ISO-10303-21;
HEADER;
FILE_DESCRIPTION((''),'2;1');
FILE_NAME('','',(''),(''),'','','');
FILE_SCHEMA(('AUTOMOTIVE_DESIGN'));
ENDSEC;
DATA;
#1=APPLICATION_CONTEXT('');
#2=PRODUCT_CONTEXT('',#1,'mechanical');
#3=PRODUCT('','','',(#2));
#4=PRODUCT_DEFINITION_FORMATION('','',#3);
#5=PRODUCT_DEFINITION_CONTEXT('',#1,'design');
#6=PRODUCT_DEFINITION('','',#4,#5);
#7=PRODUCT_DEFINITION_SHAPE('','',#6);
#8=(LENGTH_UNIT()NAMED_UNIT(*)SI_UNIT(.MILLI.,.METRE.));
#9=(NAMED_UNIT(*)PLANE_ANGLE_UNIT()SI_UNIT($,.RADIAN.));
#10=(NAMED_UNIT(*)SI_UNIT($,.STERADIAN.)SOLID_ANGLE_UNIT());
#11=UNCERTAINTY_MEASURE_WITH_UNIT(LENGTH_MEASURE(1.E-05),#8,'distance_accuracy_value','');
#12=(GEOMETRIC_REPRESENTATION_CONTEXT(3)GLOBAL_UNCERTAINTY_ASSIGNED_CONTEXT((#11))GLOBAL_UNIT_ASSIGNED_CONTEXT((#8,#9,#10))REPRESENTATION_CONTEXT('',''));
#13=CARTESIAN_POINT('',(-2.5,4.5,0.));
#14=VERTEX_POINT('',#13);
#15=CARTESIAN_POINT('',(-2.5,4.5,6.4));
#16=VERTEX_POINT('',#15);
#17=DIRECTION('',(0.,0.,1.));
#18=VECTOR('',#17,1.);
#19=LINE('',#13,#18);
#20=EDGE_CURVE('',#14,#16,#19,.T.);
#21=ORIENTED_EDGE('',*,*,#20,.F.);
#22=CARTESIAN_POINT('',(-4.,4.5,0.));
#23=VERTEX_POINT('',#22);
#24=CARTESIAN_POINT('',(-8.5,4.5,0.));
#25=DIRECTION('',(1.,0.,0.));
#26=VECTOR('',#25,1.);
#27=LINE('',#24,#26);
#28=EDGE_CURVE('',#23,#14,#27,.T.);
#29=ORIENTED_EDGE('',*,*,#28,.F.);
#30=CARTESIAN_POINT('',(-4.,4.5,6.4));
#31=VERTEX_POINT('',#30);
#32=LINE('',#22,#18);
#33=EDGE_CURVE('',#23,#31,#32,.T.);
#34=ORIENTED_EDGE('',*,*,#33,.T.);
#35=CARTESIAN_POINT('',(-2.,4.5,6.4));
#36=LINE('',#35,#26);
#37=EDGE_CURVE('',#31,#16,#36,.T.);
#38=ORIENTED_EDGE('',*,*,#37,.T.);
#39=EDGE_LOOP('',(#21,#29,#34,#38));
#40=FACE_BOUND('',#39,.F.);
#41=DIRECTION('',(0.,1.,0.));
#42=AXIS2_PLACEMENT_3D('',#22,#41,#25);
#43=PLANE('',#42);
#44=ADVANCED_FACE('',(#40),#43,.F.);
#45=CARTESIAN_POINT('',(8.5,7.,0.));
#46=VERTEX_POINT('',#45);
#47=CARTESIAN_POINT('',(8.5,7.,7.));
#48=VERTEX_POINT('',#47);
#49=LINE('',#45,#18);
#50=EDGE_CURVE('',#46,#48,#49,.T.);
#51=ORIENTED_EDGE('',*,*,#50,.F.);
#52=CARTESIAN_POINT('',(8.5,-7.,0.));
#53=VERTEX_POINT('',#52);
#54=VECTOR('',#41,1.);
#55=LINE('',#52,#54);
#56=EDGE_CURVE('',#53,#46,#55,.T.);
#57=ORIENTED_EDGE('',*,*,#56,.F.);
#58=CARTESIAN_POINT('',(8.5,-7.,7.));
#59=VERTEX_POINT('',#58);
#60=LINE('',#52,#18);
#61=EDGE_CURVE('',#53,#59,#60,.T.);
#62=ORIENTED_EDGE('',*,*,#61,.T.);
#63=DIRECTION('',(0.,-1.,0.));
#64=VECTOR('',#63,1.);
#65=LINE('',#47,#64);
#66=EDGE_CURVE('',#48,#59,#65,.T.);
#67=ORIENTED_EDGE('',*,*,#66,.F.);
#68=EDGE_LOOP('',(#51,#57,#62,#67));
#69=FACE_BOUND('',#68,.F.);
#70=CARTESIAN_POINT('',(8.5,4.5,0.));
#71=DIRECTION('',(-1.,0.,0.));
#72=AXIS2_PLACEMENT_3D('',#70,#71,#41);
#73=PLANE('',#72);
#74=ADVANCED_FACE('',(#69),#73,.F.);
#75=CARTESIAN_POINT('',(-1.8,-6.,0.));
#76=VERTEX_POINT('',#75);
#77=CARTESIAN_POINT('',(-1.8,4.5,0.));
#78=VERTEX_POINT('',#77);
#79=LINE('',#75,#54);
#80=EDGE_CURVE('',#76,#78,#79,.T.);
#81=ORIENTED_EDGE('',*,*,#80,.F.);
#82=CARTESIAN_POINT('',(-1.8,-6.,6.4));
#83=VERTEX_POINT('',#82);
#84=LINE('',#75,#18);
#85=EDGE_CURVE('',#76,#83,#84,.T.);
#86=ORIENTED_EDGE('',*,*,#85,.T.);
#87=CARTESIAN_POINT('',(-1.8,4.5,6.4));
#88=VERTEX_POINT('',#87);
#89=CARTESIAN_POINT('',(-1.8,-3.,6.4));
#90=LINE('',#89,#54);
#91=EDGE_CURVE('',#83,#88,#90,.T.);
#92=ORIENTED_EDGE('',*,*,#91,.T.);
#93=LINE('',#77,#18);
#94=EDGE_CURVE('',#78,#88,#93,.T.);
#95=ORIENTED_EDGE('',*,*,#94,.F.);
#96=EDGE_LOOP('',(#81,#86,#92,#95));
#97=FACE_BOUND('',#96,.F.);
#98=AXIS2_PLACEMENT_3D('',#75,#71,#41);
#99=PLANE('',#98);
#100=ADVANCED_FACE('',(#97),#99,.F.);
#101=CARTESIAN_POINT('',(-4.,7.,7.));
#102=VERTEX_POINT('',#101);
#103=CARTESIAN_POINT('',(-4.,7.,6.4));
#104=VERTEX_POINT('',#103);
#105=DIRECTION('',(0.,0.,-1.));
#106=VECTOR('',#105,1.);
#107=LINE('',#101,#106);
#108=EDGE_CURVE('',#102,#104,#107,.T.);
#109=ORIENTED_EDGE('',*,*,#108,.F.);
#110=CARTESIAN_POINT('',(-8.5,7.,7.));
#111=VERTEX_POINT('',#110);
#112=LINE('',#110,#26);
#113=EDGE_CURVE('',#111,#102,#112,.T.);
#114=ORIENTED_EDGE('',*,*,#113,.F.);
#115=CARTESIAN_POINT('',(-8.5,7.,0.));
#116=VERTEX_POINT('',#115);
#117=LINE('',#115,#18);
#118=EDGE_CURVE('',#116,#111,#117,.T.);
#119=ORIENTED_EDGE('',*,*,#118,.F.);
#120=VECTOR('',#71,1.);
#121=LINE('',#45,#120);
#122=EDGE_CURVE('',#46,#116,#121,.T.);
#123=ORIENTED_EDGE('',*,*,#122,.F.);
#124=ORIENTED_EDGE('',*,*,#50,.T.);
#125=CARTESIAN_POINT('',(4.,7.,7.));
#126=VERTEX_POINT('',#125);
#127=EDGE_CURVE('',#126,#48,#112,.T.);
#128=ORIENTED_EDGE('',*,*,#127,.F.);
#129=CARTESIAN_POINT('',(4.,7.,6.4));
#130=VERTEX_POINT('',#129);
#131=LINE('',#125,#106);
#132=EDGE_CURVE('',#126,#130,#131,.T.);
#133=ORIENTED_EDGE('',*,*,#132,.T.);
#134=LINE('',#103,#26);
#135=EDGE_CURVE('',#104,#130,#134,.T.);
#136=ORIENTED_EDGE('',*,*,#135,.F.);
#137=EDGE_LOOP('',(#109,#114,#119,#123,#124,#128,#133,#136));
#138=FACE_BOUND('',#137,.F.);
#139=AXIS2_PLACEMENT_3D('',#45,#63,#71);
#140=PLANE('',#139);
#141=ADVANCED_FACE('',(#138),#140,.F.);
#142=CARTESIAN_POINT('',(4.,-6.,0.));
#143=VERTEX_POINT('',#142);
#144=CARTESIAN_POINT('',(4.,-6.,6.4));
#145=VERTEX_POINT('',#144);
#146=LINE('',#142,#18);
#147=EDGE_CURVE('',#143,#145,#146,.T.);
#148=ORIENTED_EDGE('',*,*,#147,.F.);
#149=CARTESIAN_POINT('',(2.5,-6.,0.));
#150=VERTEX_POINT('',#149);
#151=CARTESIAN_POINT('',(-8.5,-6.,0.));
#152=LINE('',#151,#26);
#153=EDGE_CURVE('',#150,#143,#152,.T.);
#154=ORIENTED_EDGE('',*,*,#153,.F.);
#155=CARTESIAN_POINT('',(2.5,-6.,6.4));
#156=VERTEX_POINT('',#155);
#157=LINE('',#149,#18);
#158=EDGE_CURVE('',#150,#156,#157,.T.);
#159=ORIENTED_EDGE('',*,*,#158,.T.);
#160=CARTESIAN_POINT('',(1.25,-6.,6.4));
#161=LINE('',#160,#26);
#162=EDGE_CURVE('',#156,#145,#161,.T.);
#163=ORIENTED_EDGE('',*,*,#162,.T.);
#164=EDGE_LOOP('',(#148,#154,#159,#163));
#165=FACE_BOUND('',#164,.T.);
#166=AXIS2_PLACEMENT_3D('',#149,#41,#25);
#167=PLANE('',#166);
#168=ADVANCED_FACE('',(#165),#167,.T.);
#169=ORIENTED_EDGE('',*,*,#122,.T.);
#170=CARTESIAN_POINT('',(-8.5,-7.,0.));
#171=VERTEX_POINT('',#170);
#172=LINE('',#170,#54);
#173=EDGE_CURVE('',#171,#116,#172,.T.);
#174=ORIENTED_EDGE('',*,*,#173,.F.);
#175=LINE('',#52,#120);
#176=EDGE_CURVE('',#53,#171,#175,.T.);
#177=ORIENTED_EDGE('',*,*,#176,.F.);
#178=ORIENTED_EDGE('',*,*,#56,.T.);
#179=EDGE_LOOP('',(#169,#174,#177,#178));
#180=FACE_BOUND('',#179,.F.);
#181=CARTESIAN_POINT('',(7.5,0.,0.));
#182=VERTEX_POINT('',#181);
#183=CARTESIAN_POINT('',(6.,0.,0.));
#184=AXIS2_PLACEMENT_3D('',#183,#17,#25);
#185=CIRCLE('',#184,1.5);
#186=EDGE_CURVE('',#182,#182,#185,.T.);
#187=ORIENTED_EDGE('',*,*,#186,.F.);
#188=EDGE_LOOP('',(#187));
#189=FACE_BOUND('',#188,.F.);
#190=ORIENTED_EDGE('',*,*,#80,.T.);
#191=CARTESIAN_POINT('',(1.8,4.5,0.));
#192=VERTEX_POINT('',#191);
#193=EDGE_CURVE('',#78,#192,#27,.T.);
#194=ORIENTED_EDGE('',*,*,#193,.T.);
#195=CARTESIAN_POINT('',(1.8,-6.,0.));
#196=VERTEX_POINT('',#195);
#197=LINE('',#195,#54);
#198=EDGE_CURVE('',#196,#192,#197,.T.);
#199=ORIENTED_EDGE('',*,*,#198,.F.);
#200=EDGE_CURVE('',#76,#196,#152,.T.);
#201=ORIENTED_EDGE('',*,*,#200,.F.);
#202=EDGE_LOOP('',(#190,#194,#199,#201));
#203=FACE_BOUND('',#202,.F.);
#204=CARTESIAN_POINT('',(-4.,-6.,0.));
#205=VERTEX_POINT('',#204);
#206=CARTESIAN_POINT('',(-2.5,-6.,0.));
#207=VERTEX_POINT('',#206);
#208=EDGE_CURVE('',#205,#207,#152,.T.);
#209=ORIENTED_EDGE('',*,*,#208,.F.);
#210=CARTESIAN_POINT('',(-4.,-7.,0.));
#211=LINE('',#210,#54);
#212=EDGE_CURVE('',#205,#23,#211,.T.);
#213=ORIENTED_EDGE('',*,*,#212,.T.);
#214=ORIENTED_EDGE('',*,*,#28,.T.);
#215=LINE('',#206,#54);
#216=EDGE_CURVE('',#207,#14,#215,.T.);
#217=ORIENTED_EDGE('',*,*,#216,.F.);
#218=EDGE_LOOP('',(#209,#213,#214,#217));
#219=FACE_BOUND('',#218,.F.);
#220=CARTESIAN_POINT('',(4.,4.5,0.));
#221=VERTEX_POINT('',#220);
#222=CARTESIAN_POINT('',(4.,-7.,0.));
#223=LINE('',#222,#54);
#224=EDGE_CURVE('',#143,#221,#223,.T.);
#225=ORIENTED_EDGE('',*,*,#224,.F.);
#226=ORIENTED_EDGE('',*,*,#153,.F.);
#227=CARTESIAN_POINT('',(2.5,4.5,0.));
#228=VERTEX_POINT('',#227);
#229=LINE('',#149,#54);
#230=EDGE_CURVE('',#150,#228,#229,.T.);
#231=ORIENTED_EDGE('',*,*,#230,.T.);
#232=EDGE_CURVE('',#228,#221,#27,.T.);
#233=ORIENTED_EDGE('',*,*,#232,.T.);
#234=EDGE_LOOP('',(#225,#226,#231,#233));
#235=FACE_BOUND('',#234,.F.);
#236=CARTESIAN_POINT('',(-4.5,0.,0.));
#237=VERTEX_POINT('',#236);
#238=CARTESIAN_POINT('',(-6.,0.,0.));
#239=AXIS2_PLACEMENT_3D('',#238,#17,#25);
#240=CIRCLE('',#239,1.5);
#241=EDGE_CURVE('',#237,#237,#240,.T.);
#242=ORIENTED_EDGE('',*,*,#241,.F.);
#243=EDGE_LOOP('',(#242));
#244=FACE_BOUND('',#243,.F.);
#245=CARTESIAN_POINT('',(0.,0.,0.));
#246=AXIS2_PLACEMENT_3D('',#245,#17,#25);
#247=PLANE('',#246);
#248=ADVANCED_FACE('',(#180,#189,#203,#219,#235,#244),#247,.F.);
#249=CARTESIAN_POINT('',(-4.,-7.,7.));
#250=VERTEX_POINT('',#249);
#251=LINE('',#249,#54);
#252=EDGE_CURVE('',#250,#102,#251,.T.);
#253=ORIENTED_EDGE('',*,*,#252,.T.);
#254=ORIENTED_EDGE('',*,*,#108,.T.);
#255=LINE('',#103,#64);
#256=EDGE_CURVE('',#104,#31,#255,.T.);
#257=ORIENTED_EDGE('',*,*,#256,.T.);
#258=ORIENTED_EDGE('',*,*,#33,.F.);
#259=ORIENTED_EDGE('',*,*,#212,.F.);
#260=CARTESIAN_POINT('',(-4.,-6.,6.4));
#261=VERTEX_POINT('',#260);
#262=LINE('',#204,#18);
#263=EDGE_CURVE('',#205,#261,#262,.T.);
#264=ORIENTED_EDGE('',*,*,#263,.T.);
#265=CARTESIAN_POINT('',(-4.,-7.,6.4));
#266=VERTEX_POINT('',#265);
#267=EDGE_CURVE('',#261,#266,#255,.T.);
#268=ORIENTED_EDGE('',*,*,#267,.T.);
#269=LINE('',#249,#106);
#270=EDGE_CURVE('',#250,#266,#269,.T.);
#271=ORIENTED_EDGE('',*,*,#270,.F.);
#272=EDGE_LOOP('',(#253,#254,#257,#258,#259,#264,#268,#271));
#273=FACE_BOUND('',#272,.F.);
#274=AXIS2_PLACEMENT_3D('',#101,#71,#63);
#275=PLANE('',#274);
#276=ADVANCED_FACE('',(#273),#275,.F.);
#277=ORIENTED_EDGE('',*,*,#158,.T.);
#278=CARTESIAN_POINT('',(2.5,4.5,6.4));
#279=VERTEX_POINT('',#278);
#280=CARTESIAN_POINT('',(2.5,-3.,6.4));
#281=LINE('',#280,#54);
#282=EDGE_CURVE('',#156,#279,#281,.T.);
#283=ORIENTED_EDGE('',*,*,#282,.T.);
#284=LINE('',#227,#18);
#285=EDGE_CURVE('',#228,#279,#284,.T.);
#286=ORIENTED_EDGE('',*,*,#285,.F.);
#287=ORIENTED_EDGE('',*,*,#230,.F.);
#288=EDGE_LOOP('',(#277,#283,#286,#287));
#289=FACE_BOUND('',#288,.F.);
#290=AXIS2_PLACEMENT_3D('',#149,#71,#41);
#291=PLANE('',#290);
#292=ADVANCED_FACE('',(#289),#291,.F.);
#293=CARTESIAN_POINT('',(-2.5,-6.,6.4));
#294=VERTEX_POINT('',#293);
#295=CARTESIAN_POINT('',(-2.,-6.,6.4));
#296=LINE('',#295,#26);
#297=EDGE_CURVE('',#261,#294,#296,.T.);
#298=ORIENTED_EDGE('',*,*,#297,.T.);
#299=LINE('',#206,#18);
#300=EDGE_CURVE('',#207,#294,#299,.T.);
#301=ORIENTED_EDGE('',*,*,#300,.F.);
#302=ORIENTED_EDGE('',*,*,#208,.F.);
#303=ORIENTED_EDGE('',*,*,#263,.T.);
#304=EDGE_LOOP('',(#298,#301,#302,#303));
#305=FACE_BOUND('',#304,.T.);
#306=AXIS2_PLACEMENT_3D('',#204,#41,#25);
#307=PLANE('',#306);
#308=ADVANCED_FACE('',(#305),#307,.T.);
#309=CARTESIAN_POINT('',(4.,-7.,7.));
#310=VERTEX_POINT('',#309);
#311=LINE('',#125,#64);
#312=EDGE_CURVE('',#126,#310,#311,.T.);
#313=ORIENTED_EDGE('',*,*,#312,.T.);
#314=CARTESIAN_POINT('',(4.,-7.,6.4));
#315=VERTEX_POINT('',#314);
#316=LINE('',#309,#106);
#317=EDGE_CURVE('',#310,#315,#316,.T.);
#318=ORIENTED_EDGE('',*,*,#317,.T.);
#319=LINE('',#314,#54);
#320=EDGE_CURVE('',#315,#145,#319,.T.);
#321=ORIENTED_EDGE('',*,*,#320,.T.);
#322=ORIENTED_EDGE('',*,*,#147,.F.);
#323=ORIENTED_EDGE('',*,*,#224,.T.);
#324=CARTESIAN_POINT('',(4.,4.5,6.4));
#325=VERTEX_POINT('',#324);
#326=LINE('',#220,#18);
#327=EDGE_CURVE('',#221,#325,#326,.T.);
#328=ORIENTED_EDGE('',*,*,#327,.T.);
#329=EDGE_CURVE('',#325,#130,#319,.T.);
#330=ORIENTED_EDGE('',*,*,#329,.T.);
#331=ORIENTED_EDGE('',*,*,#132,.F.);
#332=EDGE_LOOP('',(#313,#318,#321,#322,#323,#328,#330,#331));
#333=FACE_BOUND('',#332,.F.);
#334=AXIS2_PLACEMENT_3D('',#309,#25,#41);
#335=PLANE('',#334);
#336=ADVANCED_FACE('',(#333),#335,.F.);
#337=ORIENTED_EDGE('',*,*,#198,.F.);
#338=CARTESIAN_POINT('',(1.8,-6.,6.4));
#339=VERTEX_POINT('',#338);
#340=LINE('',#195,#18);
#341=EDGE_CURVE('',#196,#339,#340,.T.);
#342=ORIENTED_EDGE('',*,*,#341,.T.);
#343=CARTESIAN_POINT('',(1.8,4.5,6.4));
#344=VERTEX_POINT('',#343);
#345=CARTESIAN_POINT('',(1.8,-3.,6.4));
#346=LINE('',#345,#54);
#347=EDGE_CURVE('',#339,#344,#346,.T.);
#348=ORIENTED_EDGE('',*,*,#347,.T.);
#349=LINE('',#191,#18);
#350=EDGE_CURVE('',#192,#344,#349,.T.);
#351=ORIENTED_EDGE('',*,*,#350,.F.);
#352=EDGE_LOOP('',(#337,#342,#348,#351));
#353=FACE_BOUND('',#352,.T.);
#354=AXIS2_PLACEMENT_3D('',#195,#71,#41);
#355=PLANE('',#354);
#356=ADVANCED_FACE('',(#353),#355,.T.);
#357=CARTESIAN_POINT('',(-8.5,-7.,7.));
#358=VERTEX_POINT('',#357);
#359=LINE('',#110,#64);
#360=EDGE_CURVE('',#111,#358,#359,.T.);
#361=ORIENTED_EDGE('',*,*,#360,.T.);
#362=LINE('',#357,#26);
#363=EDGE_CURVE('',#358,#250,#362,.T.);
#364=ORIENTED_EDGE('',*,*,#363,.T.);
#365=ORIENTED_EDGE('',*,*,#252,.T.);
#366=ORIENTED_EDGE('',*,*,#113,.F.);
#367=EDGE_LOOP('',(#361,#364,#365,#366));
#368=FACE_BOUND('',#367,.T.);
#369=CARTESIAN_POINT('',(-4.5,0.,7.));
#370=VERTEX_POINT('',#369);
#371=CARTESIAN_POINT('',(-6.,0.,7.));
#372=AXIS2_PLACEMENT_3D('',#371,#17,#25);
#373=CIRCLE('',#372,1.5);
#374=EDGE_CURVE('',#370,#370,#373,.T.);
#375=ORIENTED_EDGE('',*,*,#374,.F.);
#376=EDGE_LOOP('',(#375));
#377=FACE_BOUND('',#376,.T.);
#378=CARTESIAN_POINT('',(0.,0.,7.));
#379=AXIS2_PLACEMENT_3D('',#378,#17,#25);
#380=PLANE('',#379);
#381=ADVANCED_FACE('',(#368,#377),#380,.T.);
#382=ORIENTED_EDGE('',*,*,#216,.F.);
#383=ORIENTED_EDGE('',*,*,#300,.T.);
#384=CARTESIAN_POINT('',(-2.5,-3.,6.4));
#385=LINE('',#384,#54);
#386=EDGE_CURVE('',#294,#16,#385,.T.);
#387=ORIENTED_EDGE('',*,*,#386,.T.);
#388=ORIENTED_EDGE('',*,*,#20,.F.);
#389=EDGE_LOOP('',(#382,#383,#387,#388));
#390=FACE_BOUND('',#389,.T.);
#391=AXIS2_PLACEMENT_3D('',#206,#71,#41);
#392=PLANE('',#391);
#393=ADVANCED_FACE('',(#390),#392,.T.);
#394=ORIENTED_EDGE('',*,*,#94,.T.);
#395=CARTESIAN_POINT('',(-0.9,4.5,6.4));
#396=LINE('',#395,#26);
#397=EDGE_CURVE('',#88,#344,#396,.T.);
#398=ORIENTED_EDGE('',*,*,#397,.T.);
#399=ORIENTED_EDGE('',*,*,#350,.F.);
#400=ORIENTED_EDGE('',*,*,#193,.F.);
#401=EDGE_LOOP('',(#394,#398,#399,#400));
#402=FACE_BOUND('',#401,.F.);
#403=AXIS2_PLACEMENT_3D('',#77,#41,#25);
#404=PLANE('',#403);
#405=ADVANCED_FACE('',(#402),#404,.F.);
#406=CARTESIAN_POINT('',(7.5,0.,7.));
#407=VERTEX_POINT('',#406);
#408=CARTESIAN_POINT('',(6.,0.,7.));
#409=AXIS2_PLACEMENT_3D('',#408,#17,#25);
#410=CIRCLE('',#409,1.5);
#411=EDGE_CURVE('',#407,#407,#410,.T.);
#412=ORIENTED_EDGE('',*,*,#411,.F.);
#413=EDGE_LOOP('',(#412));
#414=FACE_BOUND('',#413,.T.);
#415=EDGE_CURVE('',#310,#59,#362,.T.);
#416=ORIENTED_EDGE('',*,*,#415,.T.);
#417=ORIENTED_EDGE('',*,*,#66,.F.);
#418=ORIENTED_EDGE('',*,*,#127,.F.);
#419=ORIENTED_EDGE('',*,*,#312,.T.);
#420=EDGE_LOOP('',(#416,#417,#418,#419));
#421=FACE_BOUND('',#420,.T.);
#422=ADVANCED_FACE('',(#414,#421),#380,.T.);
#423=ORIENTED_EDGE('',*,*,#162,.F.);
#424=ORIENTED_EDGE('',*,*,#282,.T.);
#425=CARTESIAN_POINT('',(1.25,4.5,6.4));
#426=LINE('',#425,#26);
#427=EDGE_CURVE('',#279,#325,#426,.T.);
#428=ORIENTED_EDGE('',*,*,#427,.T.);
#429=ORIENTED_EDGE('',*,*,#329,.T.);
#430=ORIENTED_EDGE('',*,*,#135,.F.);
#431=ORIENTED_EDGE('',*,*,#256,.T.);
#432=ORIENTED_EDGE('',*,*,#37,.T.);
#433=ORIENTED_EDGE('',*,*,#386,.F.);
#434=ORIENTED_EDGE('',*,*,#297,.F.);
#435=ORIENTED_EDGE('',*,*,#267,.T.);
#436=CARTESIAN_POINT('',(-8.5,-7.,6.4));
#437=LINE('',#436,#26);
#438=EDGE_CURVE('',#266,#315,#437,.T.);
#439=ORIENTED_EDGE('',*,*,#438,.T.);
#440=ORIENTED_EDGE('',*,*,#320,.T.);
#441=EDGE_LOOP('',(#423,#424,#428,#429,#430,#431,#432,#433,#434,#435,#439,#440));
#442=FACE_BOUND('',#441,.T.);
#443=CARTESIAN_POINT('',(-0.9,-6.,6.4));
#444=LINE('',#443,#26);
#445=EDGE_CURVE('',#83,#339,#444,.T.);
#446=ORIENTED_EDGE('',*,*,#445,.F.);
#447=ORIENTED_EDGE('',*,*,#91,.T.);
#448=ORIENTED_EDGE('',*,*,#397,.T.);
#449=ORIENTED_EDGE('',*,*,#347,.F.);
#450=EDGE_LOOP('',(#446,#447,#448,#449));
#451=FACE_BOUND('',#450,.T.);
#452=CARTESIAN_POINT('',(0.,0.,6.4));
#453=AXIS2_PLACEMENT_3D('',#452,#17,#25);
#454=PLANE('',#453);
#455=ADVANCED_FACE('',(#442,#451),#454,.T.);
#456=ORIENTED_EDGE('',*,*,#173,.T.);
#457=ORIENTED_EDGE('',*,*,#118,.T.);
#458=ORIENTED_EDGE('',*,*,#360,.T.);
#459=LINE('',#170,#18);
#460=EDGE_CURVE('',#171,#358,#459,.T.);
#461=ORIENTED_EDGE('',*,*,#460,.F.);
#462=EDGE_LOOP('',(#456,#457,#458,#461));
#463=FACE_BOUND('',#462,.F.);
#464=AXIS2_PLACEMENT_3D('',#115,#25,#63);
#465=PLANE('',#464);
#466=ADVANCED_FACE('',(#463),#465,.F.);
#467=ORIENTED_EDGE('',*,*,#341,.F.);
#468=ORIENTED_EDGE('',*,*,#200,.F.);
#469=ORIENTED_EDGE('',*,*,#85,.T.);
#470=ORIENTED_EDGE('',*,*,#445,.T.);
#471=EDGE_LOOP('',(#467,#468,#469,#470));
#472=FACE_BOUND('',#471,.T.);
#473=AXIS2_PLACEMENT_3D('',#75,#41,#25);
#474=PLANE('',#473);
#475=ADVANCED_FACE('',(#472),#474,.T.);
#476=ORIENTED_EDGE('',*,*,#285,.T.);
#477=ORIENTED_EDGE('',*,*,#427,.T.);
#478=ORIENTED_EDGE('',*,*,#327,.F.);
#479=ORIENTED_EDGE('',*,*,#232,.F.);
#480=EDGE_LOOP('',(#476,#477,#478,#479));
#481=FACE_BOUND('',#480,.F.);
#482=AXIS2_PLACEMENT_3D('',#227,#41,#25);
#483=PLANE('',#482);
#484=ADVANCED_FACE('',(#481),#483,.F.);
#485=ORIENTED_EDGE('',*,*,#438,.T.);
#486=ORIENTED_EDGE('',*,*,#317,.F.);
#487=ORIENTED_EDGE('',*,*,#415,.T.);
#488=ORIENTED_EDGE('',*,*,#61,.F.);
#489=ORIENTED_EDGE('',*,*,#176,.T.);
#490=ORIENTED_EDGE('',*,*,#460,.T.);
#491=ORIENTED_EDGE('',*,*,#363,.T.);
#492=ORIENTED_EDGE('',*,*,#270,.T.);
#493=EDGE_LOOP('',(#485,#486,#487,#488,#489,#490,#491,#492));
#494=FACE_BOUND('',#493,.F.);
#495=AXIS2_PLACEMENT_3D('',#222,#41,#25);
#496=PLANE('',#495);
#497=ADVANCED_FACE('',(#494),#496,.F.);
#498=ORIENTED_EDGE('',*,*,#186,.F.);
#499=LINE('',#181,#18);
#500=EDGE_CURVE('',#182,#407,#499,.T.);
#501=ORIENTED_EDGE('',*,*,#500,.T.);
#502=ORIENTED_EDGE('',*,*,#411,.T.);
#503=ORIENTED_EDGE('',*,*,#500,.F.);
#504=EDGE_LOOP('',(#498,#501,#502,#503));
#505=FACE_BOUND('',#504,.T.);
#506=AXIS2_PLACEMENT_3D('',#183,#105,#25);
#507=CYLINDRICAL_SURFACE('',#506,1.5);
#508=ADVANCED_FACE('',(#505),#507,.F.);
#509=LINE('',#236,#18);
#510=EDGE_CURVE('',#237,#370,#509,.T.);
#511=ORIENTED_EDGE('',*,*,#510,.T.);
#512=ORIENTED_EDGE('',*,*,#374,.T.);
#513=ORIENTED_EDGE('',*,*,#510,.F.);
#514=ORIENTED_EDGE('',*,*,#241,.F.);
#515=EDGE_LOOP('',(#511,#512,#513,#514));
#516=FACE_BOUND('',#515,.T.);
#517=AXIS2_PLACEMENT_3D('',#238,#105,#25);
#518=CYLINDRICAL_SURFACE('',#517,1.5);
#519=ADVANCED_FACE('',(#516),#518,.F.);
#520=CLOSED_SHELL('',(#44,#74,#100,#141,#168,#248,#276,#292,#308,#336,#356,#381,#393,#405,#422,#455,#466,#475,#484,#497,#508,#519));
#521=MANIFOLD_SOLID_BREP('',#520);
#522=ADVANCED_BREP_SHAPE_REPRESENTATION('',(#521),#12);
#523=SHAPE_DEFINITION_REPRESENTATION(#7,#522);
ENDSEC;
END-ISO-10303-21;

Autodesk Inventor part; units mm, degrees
ref_plane "YZ Plane" through (0, 0, 0) normal (1, 0, 0) x (0, 1, 0)
ref_plane "XZ Plane" through (0, 0, 0) normal (0, 1, 0) x (-1, 0, 0)
ref_plane "XY Plane" through (0, 0, 0) normal (0, 0, 1) x (1, 0, 0)
sketch "スケッチ1" plane through (0, 0, 0) normal (0, 0, 1) x (1, 0, 0)
  line L0 (8.5, 7) -> (-8.5, 7)
  line L1 (-8.5, 7) -> (-8.5, -7)
  line L2 (-8.5, -7) -> (8.5, -7)
  line L3 (8.5, -7) -> (8.5, 7)
  line L4 (8.5, 7) -> (-8.5, -7) construction
  line L5 (-8.5, 7) -> (8.5, -7) construction
  circle A0 centre (-6, 0) radius 1.5
  circle A1 centre (6, 0) radius 1.5
  line L6 (-8.5, -6) -> (8.5, -6)
  line L7 (-8.5, 4.5) -> (8.5, 4.5)
  line L8 (-4, -7) -> (-4, 7)
  line L9 (4, -7) -> (4, 7)
  line L10 (2.5, -6) -> (2.5, 4.5)
  line L11 (-2.5, -6) -> (-2.5, 4.5)
  line L12 (1.8, -6) -> (1.8, 4.5)
  line L13 (-1.8, -6) -> (-1.8, 4.5)
  point P0 (0, 0)
  point P1 (-4, -6)
  point P2 (-4, 4.5)
  point P3 (4, -6)
  point P4 (4, 4.5)
  dimension "d0" = 17
  dimension "d1" = 14
  dimension "d2" = 3
  dimension "d3" = 3
  dimension "d4" = 2.5
  dimension "d5" = 4.5
  dimension "d6" = 4.5
  dimension "d7" = 1.5
  dimension "d8" = 1.5
  dimension "d9" = 1
  dimension "d16" = 0.7
  dimension "d17" = 0.7
extrude "押し出し1" add sketch "スケッチ1" along normal blind 7 contours L3 L7 L9 L0 | L9 L7 L8 L0 | L3 L6 L9 L7 | L8 L7 L1 L0 | L3 L2 L9 L6 | L8 L6 L1 L7 | L10 L6 L12 L7 | L9 L2 L8 L6 | L7 L13 L6 L11 | L8 L2 L1 L6
sketch "スケッチ2" plane through (0, 0, 7) normal (0, 0, 1) x (1, 0, 0)
  line L0 (8.5, 7) -> (-8.5, 7) projected
  line L1 (0, 7) -> (-4, 7)
  line L2 (-4, 7) -> (-4, -7)
  line L3 (-8.5, -7) -> (8.5, -7) projected
  line L4 (-4, -7) -> (4, -7)
  line L5 (4, -7) -> (4, 7)
  line L6 (4, 7) -> (0, 7)
  point P0 (0, 0)
  dimension "d12" = 4
  dimension "d13" = 8
extrude "押し出し2" cut sketch "スケッチ2" against normal blind 0.6
properties part number "greiper_TPU" material "ゴム、シリコーン"
